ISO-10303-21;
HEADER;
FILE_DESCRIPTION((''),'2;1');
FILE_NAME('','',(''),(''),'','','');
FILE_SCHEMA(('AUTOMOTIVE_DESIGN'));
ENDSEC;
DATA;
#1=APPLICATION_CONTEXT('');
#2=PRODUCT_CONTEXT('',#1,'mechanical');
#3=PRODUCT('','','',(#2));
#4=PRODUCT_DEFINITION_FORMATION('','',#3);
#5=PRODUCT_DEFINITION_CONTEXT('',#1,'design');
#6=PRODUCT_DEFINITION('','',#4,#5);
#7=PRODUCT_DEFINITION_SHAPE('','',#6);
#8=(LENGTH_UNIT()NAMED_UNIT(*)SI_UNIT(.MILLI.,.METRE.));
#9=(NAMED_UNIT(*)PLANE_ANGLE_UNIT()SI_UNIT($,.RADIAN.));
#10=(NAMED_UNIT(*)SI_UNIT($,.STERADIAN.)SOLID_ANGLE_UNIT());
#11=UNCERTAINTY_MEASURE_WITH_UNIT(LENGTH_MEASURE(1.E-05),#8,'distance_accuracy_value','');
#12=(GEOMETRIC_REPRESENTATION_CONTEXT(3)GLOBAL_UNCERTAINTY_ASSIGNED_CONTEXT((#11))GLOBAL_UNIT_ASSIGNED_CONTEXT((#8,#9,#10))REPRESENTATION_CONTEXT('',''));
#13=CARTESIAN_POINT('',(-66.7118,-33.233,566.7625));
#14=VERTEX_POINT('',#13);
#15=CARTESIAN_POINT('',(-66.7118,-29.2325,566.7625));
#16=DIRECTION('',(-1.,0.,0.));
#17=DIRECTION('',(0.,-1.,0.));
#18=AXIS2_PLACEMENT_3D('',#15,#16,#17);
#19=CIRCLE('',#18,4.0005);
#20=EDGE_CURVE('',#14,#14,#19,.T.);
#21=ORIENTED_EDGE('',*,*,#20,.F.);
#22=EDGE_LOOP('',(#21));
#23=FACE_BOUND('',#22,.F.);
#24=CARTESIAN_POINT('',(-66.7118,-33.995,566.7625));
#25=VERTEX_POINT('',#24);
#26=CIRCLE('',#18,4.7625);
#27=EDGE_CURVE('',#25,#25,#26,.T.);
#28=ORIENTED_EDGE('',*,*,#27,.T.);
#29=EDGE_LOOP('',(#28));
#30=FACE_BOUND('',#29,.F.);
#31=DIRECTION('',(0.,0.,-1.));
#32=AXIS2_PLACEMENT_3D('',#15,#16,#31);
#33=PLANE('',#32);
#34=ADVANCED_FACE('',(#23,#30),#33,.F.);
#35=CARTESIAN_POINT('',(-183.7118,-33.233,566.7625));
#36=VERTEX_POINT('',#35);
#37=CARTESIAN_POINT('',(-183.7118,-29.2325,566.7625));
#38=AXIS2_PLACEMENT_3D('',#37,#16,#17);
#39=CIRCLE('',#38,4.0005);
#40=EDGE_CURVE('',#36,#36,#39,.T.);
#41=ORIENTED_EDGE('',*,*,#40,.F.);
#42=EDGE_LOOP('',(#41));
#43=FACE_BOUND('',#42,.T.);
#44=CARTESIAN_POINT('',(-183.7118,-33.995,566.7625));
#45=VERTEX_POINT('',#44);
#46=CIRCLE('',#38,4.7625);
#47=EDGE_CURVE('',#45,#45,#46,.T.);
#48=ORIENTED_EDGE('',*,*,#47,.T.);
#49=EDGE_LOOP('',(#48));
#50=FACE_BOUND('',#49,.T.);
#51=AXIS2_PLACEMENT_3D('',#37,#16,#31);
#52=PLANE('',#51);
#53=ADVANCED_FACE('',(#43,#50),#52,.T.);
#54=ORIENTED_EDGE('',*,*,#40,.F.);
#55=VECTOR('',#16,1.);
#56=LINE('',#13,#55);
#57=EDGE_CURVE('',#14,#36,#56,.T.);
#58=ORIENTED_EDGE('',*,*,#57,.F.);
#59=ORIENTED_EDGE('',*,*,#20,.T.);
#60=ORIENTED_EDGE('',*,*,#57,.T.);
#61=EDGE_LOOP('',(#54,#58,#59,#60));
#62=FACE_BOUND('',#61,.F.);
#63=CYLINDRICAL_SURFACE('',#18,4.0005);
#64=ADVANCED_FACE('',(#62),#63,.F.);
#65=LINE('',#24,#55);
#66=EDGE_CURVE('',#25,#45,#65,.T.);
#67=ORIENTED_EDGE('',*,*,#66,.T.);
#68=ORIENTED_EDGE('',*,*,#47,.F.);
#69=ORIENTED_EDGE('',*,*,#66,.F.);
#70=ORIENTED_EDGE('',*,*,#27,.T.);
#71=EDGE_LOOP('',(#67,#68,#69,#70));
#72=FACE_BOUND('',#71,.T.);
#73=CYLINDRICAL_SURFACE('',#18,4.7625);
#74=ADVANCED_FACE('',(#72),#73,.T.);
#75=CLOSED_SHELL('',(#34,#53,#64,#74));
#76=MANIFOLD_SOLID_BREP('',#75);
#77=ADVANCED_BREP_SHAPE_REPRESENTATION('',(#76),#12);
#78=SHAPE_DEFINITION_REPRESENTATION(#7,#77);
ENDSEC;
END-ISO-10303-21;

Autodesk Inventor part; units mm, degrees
ref_plane "YZ Plane" through (0, 0, 0) normal (1, 0, 0) x (0, 1, 0)
ref_plane "XZ Plane" through (0, 0, 0) normal (0, 1, 0) x (-1, 0, 0)
ref_plane "Work Plane3" through (-66.7118, -29.2325, 566.7625) normal (-1, 0, 0) x (0, -1, 0)
sketch "Sketch5" plane through (-66.7118, -29.2325, 566.7625) normal (-1, 0, 0) x (0, -1, 0)
  circle A0 centre (0, 0) radius 4.7625
  circle A1 centre (0, 0) radius 4.0005
sketch3d "3D Sketch3"
  line L0 (-66.7118, -29.2325, 566.7625) -> (-183.7118, -29.2325, 566.7625)
sweep "Sweep3" add profiles "Sketch5" path "3D Sketch3"
equation "\"OD\" = 9.525"
equation "\"t\" = 0.762"
equation "\"L\" = PL"
equation "\"ID\" = 8.001"
equation "\"PL\" = 116.9924"
equation "\"Size_Designation\" = 1.2345"
properties material "Copper"
